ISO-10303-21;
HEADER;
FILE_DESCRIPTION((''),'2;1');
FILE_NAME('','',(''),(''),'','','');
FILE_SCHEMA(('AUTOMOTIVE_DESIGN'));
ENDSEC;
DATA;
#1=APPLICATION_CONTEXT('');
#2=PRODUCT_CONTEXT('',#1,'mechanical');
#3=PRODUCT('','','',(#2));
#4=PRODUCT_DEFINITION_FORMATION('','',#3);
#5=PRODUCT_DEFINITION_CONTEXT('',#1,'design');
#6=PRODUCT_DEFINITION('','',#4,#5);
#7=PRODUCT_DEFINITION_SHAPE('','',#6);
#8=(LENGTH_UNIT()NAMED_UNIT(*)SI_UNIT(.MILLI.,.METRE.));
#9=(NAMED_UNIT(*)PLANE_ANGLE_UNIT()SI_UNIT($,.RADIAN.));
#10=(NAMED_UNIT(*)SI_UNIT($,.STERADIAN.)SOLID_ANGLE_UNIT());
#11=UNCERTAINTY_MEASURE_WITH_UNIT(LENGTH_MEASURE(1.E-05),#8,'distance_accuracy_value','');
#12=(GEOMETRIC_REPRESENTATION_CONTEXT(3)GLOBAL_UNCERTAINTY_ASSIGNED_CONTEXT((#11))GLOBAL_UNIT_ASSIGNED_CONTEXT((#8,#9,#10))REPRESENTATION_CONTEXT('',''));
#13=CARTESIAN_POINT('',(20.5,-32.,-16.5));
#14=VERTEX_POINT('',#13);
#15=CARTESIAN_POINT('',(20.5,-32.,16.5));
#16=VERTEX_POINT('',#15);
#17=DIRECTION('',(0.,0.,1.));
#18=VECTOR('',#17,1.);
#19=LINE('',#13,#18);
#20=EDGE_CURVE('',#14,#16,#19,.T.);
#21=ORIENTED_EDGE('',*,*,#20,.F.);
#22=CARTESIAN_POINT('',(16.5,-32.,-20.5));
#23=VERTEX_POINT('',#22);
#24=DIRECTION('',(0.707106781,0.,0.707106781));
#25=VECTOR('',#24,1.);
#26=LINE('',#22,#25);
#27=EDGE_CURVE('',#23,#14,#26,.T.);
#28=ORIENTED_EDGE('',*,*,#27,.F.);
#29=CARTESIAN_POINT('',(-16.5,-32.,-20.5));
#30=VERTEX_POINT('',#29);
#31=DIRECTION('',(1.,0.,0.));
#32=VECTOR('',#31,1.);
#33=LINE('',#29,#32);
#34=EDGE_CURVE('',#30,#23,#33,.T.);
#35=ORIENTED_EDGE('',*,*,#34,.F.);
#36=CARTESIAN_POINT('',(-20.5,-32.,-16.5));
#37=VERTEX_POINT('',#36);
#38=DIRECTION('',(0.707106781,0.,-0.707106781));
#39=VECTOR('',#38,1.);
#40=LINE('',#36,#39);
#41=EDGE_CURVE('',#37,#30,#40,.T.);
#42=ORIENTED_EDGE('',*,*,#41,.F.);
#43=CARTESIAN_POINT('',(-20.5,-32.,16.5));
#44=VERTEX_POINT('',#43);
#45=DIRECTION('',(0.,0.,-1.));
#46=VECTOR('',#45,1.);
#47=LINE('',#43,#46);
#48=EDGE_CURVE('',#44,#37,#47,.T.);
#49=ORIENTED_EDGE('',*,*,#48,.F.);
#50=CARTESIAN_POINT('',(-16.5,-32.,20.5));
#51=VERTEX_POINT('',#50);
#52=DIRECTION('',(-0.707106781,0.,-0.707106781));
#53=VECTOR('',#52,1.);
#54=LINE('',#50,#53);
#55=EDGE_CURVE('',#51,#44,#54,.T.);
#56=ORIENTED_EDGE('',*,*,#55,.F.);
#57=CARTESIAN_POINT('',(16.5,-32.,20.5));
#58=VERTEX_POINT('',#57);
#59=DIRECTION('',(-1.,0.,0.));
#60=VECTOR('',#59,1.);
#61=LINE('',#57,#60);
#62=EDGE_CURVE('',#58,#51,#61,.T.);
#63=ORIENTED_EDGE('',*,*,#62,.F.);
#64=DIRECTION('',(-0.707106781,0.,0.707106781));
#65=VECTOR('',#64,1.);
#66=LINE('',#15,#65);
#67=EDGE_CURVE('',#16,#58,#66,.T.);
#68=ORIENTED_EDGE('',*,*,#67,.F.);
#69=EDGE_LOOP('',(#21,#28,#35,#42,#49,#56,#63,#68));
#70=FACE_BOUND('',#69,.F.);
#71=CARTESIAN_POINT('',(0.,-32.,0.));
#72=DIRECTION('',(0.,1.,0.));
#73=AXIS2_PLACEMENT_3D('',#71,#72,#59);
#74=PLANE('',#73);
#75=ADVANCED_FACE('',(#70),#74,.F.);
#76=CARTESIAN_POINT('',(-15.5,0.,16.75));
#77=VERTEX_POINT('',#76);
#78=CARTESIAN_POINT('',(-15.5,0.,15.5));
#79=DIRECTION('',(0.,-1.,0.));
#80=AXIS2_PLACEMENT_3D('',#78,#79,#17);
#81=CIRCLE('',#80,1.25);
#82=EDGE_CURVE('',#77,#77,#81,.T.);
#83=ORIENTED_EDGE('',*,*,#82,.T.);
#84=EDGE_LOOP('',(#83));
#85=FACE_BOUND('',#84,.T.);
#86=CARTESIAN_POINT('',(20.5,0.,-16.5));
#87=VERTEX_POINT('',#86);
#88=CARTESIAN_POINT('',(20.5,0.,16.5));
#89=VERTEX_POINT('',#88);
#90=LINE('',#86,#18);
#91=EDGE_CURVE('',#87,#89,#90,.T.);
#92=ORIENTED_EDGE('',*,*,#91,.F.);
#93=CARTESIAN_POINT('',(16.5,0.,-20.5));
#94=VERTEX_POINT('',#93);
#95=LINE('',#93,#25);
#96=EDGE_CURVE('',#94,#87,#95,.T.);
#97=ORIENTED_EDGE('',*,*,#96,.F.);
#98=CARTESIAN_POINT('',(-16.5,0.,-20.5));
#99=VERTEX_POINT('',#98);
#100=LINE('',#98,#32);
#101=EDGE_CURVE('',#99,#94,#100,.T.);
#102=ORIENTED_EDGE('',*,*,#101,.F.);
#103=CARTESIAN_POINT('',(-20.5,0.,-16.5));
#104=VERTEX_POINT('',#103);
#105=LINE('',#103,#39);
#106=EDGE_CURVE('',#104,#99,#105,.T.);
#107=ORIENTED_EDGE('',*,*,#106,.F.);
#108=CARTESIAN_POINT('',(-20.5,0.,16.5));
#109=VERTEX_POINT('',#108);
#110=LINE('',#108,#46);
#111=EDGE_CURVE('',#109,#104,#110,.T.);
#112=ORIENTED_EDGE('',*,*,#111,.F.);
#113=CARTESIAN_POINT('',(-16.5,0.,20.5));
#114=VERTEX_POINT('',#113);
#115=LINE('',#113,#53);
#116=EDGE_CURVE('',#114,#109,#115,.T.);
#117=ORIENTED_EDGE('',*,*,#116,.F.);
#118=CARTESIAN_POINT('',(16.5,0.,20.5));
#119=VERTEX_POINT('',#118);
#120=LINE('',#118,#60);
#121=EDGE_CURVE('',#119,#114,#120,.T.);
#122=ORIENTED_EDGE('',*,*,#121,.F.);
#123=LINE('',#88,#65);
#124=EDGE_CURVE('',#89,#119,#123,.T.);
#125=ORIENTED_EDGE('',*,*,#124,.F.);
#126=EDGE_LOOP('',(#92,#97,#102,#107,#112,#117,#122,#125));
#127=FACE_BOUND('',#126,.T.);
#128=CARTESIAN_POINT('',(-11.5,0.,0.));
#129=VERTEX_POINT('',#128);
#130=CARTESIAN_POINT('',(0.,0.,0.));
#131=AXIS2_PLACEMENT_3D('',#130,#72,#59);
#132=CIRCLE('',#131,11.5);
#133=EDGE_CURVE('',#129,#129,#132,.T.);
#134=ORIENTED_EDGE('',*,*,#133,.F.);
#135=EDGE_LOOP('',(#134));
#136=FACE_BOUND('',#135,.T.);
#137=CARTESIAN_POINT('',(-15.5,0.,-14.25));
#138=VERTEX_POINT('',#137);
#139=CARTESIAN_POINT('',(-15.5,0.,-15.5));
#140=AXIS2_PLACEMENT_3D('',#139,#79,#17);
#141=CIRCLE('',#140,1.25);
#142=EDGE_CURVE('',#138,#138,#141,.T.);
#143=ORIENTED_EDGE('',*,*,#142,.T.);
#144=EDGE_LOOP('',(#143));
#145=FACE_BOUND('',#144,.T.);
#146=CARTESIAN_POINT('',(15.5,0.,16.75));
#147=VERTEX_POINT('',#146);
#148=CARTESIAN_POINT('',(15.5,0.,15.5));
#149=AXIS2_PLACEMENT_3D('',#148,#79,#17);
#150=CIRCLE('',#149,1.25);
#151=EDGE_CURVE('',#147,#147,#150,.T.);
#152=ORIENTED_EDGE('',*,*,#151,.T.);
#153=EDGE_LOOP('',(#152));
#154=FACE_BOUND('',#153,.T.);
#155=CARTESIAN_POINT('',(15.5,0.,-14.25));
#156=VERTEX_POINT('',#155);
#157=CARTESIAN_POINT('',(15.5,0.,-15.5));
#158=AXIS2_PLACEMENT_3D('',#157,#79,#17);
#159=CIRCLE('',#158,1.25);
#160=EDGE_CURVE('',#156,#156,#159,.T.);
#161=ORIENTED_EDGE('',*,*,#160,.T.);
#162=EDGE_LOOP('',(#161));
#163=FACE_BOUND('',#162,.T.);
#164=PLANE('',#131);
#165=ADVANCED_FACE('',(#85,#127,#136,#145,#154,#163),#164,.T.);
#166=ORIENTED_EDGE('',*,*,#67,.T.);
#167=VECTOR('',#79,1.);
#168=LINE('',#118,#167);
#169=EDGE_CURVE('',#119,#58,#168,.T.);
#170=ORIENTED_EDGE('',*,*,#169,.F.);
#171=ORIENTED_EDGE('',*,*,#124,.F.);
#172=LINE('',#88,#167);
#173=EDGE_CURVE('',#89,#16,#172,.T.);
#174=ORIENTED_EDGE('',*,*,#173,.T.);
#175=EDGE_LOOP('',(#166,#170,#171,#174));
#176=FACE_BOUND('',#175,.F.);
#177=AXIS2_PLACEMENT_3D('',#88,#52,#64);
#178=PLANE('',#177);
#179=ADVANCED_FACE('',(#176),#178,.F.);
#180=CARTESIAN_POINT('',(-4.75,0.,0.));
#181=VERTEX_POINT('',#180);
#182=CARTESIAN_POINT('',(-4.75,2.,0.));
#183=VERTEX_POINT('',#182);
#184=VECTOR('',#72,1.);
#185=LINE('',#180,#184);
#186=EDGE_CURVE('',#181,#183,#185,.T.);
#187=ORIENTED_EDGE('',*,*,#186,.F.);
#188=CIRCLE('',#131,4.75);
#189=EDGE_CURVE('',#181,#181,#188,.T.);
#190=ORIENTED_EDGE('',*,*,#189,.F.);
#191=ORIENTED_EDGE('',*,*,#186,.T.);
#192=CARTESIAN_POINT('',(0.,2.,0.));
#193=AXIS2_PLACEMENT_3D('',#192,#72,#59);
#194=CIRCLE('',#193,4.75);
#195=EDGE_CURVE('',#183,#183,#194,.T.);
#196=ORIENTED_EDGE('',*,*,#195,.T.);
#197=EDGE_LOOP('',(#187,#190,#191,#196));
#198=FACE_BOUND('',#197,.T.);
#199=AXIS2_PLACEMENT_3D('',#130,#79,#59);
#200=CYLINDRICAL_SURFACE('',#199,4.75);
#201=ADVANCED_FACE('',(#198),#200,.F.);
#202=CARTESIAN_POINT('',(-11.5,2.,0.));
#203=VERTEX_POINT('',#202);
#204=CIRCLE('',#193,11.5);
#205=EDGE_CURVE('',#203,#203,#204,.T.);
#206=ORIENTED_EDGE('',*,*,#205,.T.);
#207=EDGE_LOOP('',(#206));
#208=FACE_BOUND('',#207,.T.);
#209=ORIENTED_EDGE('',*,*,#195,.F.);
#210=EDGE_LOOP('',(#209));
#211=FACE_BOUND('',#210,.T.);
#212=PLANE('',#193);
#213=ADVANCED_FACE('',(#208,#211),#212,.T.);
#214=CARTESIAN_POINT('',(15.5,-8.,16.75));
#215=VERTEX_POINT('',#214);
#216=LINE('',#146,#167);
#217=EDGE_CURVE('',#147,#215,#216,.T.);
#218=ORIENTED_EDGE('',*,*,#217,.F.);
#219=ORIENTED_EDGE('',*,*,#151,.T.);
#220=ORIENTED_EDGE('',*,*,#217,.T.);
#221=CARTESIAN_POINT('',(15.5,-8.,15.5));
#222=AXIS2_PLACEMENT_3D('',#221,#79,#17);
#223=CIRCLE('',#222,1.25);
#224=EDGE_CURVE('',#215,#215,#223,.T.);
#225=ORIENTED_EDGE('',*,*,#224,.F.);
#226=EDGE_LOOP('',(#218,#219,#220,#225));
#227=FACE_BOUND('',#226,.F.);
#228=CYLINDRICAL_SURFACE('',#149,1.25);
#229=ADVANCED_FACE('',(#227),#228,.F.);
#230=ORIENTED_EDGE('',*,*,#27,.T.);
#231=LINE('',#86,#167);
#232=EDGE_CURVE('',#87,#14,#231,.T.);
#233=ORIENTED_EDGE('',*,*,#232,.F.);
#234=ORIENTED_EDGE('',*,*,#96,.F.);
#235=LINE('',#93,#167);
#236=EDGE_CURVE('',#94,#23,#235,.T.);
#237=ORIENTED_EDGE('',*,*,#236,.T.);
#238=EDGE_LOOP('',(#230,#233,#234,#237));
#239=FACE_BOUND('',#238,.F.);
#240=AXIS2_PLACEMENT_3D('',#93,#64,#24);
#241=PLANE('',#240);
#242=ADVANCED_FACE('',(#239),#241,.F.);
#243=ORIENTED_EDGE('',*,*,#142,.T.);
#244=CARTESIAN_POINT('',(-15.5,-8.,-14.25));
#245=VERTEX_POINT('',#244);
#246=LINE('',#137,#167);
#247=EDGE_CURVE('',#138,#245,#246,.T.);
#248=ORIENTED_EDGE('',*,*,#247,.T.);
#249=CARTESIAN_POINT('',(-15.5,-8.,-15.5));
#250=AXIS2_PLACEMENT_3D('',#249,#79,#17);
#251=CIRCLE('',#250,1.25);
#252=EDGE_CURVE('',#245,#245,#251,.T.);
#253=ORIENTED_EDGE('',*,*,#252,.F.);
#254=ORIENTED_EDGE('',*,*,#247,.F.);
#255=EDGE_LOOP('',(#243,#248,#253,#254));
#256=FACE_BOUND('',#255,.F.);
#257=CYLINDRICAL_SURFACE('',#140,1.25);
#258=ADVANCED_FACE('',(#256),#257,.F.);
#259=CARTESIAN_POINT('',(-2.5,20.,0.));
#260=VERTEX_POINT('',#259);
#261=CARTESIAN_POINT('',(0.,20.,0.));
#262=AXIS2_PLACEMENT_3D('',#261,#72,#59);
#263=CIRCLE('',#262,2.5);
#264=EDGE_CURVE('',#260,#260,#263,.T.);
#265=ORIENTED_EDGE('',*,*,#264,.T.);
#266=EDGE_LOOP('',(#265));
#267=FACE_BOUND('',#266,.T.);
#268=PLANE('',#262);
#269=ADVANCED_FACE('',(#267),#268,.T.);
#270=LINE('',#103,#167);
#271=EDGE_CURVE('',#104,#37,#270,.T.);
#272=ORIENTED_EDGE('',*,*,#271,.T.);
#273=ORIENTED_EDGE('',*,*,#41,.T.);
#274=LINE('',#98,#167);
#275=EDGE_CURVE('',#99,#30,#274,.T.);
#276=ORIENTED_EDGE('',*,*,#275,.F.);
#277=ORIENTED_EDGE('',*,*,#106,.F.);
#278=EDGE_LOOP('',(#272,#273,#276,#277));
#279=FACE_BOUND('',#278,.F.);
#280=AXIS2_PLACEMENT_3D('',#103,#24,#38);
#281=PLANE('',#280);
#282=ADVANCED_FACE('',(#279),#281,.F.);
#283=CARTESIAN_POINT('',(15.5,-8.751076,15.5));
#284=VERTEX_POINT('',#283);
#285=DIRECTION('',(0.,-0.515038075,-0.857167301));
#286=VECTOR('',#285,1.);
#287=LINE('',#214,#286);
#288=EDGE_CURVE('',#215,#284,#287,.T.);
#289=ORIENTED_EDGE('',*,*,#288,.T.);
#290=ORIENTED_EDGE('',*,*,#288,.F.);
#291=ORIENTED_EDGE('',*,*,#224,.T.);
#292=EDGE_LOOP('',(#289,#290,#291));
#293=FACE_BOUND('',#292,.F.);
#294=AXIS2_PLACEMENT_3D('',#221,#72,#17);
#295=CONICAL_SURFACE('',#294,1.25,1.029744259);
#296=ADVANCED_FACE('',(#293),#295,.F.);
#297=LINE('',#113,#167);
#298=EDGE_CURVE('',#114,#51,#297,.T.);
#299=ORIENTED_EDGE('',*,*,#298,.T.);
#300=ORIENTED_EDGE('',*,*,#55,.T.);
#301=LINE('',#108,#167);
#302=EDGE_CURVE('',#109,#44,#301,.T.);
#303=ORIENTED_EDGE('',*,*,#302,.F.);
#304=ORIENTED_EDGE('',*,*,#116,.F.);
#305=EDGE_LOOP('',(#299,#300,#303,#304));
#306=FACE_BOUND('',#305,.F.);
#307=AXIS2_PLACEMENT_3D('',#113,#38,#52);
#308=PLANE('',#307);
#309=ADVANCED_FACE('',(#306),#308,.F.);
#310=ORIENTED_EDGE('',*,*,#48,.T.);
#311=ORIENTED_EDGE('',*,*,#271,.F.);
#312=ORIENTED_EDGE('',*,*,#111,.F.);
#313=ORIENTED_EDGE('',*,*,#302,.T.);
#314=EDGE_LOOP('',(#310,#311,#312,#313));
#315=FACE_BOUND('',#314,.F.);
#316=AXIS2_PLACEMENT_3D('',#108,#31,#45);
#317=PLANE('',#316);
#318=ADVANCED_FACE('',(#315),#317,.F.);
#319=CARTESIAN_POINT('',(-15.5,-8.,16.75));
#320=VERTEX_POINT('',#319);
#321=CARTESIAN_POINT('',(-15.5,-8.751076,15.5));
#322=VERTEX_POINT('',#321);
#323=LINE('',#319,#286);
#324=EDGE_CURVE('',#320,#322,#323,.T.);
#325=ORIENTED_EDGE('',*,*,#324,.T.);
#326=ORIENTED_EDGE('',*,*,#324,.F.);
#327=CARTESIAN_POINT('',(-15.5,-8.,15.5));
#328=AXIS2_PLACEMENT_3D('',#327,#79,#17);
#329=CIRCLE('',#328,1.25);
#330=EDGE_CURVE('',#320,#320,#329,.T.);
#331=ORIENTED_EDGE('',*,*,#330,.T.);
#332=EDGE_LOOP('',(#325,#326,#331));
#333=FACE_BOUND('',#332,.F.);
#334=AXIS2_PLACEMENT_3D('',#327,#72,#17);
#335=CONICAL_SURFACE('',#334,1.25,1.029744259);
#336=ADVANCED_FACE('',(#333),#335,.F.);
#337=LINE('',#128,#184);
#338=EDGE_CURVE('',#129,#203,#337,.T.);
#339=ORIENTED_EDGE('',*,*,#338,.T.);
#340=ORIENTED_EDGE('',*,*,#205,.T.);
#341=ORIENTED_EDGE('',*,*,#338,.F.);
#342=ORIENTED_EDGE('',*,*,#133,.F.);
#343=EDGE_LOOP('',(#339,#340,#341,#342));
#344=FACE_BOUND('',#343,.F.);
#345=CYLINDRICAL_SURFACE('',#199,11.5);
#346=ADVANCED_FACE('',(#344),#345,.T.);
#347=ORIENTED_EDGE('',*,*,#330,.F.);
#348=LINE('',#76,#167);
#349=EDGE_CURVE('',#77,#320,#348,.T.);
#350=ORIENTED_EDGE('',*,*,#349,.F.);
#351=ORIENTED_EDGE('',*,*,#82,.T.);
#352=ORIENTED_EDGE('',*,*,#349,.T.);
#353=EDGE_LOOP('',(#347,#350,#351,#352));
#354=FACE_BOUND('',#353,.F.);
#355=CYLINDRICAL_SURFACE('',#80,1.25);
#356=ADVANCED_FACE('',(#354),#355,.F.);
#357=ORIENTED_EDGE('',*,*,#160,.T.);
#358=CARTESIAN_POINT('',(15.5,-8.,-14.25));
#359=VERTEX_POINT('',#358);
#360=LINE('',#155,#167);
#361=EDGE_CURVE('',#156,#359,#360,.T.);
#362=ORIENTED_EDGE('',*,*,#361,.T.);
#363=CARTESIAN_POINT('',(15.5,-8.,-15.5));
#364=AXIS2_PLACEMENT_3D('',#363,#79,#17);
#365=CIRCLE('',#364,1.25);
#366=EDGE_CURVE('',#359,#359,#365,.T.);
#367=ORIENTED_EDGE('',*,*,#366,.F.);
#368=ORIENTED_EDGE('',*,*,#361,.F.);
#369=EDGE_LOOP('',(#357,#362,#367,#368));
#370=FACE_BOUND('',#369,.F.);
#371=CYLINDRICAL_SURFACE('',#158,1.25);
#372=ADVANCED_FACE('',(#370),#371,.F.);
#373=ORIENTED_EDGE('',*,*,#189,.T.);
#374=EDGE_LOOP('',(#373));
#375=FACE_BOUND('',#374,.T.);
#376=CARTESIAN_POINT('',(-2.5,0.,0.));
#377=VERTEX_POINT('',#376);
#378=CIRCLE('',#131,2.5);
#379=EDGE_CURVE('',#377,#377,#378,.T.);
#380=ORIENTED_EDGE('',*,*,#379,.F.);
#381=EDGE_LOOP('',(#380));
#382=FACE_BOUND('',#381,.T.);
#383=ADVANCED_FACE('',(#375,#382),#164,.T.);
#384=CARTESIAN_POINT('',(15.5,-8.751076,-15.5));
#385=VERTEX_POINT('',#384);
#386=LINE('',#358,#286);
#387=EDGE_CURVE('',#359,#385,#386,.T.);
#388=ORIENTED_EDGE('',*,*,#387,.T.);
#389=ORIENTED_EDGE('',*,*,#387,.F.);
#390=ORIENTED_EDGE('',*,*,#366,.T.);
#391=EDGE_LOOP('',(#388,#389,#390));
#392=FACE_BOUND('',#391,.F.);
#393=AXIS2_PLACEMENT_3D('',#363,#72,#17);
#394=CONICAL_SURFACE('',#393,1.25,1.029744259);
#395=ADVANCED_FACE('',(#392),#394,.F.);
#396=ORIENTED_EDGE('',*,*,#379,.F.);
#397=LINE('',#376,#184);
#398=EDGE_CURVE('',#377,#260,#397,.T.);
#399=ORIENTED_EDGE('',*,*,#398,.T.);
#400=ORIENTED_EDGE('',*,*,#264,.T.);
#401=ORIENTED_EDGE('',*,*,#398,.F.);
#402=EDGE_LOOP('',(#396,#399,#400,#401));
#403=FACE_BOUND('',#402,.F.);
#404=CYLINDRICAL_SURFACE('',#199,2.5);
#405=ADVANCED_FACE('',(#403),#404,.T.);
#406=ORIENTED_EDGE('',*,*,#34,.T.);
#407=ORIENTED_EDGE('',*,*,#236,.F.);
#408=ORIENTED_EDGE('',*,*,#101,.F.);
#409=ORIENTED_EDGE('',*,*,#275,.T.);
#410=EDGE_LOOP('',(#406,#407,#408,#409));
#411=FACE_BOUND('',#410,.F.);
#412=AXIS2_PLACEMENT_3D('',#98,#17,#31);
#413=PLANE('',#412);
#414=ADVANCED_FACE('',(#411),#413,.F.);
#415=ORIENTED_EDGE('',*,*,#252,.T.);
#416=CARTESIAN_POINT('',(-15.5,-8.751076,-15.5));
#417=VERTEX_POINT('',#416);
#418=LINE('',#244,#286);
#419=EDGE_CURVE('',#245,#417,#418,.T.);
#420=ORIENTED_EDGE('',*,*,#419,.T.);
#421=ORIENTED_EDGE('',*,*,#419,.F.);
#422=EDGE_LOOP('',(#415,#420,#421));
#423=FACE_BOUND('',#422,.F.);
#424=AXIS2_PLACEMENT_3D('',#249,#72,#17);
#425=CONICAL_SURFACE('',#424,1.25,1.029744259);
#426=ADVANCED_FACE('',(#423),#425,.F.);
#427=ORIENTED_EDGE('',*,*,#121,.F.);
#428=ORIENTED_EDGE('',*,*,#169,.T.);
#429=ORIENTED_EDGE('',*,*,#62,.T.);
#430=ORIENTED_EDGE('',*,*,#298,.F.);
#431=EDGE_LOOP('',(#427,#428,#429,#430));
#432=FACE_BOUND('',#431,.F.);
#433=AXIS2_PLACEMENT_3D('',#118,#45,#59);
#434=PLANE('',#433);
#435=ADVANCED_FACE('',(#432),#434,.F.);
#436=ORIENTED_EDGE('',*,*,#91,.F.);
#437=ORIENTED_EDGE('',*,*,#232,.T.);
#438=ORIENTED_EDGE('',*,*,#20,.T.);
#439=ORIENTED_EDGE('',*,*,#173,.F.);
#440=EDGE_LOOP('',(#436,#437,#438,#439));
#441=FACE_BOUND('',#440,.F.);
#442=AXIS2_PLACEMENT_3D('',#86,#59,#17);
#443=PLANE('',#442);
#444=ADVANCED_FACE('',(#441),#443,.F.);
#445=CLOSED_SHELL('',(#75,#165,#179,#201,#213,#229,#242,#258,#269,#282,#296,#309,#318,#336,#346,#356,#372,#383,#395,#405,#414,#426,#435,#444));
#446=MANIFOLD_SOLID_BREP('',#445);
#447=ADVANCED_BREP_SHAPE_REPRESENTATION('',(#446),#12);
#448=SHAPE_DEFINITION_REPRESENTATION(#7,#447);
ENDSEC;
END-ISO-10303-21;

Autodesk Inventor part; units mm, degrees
ref_plane "YZ Plane" through (0, 0, 0) normal (1, 0, 0) x (0, 1, 0)
ref_plane "XZ Plane" through (0, 0, 0) normal (0, 1, 0) x (-1, 0, 0)
ref_plane "XY Plane" through (0, 0, 0) normal (0, 0, 1) x (1, 0, 0)
sketch "Sketch1" plane through (0, 0, 0) normal (0, 1, 0) x (-1, 0, 0)
  line L0 (16.5, -20.5) -> (-16.5, -20.5)
  line L1 (-20.5, -16.5) -> (-20.5, 16.5)
  line L2 (-16.5, 20.5) -> (16.5, 20.5)
  line L3 (20.5, 16.5) -> (20.5, -16.5)
  line L4 (20.5, -16.5) -> (16.5, -20.5)
  line L5 (-16.5, -20.5) -> (-20.5, -16.5)
  line L6 (-20.5, 16.5) -> (-16.5, 20.5)
  line L7 (16.5, 20.5) -> (20.5, 16.5)
  point P0 (0, 0)
  point P1 (20.5, -20.5)
  point P2 (-20.5, 20.5)
  point P3 (-20.5, -20.5)
  point P4 (20.5, 20.5)
  dimension "d0" = 41
  dimension "d2" = 41
  dimension "d3" = 20.5
  dimension "d4" = 20.5
  dimension "d5" = 4
  dimension "d6" = 4
  dimension "d7" = 4
  dimension "d8" = 4
  dimension "d9" = 4
  dimension "d10" = 4
  dimension "d11" = 4
  dimension "d12" = 4
extrude "Extrusion1" add sketch "Sketch1" against normal blind 32
sketch "Sketch4" plane through (0, 0, 0) normal (0, 1, 0) x (-1, 0, 0)
  circle A0 centre (0, 0) radius 11.5
  circle A1 centre (0, 0) radius 4.75
  dimension "d24" = 23
  dimension "d26" = 9.5
extrude "Extrusion4" add sketch "Sketch4" along normal blind 2
sketch "Sketch5" plane through (0, 0, 0) normal (0, 1, 0) x (-1, 0, 0)
  circle A0 centre (0, 0) radius 2.5
  dimension "d29" = 5
extrude "Extrusion5" add sketch "Sketch5" along normal blind 20
sketch "Sketch6" plane through (0, 0, 0) normal (0, 1, 0) x (1, 0, 0)
  line L0 (-20.5, -16.5) -> (-20.5, 16.5) projected
  line L1 (-16.5, 20.5) -> (16.5, 20.5) projected
  circle A0 centre (0, 0) radius 11.5 projected
  point P0 (-15.5, 15.5)
  point P1 (-15.5, -15.5)
  point P2 (15.5, 15.5)
  point P3 (15.5, -15.5)
  dimension "d33" = 15.5
  dimension "d34" = 15.5
  dimension "d37" = 31
  dimension "d40" = 31
hole "Hole1" at (-15.5, 0, -15.5) at (-15.5, 0, 15.5) at (15.5, 0, -15.5) at (15.5, 0, 15.5) direction (0, -1, 0) diameter 2.5 depth 8 tip angle 118
thread "Thread1" size "M2.5x0.45" class "6H" standard "ANSI Metric M Profile" full length
thread "Thread2" size "M2.5x0.45" class "6H" standard "ANSI Metric M Profile" full length
thread "Thread3" size "M2.5x0.45" class "6H" standard "ANSI Metric M Profile" full length
thread "Thread4" size "M2.5x0.45" class "6H" standard "ANSI Metric M Profile" full length
equation "\"d3\" = 0.5 * d2"
equation "\"d4\" = 0.5 * d0"
equation "\"d6\" = d5"
equation "\"d7\" = d5"
equation "\"d8\" = d7"
equation "\"d9\" = d5"
equation "\"d10\" = d9"
equation "\"d11\" = d5"
equation "\"d12\" = d11"
equation "\"d33\" = 0.5 * d37"
equation "\"d34\" = d33"
properties part number "stepper_short"
